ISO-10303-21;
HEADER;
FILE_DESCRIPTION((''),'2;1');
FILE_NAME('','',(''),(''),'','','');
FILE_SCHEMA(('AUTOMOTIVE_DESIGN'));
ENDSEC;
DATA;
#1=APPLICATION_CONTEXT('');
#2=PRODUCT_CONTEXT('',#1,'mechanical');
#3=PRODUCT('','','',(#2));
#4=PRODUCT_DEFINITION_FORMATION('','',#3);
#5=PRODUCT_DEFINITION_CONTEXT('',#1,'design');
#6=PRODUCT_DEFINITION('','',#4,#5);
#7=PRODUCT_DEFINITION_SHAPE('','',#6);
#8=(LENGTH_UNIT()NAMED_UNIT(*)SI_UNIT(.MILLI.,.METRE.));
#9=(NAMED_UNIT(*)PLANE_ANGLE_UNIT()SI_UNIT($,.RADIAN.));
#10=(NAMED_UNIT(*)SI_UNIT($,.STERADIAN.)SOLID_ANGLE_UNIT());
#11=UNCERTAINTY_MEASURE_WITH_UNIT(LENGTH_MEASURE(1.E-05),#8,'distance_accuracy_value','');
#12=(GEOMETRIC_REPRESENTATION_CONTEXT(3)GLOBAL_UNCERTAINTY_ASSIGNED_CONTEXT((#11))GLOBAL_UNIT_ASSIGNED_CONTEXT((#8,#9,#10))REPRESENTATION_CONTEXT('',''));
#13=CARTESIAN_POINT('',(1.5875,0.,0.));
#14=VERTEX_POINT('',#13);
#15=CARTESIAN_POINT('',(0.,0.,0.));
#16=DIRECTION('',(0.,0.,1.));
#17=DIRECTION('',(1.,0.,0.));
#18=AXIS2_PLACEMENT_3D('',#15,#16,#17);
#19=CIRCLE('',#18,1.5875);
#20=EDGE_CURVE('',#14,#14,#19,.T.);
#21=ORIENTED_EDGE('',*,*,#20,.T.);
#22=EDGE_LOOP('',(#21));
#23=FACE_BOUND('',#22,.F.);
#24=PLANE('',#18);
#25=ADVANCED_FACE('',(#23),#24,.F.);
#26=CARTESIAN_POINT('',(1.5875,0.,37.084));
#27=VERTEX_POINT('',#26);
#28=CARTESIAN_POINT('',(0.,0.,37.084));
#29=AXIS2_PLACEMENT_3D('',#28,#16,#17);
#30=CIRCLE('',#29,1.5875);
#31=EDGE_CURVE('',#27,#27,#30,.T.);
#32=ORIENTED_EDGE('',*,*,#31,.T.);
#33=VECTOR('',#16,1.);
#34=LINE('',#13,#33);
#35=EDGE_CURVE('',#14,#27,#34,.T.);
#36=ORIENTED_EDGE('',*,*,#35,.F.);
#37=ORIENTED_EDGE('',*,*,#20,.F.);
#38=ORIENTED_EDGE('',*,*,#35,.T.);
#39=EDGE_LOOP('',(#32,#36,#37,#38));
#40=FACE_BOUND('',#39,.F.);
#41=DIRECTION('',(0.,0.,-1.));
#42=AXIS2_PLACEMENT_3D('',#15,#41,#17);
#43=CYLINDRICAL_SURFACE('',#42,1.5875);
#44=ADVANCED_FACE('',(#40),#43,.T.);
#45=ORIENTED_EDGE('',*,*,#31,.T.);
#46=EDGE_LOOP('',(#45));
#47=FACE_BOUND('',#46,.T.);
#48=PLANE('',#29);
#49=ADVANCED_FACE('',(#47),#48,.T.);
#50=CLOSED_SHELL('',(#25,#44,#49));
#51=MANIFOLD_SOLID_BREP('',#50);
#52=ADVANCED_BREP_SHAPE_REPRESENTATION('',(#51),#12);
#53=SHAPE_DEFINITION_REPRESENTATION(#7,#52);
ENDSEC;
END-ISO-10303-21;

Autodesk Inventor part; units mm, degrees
ref_plane "YZ Plane" through (0, 0, 0) normal (1, 0, 0) x (0, 1, 0)
ref_plane "XZ Plane" through (0, 0, 0) normal (0, 1, 0) x (-1, 0, 0)
ref_plane "XY Plane" through (0, 0, 0) normal (0, 0, 1) x (1, 0, 0)
sketch "Sketch1" plane through (0, 0, 0) normal (0, 0, 1) x (1, 0, 0)
  circle A0 centre (0, 0) radius 1.5875
  dimension "d0" = 3.175
extrude "Extrusion1" add sketch "Sketch1" along normal blind 37.084
properties part number "idlerShaft2" material "Stainless Steel"
